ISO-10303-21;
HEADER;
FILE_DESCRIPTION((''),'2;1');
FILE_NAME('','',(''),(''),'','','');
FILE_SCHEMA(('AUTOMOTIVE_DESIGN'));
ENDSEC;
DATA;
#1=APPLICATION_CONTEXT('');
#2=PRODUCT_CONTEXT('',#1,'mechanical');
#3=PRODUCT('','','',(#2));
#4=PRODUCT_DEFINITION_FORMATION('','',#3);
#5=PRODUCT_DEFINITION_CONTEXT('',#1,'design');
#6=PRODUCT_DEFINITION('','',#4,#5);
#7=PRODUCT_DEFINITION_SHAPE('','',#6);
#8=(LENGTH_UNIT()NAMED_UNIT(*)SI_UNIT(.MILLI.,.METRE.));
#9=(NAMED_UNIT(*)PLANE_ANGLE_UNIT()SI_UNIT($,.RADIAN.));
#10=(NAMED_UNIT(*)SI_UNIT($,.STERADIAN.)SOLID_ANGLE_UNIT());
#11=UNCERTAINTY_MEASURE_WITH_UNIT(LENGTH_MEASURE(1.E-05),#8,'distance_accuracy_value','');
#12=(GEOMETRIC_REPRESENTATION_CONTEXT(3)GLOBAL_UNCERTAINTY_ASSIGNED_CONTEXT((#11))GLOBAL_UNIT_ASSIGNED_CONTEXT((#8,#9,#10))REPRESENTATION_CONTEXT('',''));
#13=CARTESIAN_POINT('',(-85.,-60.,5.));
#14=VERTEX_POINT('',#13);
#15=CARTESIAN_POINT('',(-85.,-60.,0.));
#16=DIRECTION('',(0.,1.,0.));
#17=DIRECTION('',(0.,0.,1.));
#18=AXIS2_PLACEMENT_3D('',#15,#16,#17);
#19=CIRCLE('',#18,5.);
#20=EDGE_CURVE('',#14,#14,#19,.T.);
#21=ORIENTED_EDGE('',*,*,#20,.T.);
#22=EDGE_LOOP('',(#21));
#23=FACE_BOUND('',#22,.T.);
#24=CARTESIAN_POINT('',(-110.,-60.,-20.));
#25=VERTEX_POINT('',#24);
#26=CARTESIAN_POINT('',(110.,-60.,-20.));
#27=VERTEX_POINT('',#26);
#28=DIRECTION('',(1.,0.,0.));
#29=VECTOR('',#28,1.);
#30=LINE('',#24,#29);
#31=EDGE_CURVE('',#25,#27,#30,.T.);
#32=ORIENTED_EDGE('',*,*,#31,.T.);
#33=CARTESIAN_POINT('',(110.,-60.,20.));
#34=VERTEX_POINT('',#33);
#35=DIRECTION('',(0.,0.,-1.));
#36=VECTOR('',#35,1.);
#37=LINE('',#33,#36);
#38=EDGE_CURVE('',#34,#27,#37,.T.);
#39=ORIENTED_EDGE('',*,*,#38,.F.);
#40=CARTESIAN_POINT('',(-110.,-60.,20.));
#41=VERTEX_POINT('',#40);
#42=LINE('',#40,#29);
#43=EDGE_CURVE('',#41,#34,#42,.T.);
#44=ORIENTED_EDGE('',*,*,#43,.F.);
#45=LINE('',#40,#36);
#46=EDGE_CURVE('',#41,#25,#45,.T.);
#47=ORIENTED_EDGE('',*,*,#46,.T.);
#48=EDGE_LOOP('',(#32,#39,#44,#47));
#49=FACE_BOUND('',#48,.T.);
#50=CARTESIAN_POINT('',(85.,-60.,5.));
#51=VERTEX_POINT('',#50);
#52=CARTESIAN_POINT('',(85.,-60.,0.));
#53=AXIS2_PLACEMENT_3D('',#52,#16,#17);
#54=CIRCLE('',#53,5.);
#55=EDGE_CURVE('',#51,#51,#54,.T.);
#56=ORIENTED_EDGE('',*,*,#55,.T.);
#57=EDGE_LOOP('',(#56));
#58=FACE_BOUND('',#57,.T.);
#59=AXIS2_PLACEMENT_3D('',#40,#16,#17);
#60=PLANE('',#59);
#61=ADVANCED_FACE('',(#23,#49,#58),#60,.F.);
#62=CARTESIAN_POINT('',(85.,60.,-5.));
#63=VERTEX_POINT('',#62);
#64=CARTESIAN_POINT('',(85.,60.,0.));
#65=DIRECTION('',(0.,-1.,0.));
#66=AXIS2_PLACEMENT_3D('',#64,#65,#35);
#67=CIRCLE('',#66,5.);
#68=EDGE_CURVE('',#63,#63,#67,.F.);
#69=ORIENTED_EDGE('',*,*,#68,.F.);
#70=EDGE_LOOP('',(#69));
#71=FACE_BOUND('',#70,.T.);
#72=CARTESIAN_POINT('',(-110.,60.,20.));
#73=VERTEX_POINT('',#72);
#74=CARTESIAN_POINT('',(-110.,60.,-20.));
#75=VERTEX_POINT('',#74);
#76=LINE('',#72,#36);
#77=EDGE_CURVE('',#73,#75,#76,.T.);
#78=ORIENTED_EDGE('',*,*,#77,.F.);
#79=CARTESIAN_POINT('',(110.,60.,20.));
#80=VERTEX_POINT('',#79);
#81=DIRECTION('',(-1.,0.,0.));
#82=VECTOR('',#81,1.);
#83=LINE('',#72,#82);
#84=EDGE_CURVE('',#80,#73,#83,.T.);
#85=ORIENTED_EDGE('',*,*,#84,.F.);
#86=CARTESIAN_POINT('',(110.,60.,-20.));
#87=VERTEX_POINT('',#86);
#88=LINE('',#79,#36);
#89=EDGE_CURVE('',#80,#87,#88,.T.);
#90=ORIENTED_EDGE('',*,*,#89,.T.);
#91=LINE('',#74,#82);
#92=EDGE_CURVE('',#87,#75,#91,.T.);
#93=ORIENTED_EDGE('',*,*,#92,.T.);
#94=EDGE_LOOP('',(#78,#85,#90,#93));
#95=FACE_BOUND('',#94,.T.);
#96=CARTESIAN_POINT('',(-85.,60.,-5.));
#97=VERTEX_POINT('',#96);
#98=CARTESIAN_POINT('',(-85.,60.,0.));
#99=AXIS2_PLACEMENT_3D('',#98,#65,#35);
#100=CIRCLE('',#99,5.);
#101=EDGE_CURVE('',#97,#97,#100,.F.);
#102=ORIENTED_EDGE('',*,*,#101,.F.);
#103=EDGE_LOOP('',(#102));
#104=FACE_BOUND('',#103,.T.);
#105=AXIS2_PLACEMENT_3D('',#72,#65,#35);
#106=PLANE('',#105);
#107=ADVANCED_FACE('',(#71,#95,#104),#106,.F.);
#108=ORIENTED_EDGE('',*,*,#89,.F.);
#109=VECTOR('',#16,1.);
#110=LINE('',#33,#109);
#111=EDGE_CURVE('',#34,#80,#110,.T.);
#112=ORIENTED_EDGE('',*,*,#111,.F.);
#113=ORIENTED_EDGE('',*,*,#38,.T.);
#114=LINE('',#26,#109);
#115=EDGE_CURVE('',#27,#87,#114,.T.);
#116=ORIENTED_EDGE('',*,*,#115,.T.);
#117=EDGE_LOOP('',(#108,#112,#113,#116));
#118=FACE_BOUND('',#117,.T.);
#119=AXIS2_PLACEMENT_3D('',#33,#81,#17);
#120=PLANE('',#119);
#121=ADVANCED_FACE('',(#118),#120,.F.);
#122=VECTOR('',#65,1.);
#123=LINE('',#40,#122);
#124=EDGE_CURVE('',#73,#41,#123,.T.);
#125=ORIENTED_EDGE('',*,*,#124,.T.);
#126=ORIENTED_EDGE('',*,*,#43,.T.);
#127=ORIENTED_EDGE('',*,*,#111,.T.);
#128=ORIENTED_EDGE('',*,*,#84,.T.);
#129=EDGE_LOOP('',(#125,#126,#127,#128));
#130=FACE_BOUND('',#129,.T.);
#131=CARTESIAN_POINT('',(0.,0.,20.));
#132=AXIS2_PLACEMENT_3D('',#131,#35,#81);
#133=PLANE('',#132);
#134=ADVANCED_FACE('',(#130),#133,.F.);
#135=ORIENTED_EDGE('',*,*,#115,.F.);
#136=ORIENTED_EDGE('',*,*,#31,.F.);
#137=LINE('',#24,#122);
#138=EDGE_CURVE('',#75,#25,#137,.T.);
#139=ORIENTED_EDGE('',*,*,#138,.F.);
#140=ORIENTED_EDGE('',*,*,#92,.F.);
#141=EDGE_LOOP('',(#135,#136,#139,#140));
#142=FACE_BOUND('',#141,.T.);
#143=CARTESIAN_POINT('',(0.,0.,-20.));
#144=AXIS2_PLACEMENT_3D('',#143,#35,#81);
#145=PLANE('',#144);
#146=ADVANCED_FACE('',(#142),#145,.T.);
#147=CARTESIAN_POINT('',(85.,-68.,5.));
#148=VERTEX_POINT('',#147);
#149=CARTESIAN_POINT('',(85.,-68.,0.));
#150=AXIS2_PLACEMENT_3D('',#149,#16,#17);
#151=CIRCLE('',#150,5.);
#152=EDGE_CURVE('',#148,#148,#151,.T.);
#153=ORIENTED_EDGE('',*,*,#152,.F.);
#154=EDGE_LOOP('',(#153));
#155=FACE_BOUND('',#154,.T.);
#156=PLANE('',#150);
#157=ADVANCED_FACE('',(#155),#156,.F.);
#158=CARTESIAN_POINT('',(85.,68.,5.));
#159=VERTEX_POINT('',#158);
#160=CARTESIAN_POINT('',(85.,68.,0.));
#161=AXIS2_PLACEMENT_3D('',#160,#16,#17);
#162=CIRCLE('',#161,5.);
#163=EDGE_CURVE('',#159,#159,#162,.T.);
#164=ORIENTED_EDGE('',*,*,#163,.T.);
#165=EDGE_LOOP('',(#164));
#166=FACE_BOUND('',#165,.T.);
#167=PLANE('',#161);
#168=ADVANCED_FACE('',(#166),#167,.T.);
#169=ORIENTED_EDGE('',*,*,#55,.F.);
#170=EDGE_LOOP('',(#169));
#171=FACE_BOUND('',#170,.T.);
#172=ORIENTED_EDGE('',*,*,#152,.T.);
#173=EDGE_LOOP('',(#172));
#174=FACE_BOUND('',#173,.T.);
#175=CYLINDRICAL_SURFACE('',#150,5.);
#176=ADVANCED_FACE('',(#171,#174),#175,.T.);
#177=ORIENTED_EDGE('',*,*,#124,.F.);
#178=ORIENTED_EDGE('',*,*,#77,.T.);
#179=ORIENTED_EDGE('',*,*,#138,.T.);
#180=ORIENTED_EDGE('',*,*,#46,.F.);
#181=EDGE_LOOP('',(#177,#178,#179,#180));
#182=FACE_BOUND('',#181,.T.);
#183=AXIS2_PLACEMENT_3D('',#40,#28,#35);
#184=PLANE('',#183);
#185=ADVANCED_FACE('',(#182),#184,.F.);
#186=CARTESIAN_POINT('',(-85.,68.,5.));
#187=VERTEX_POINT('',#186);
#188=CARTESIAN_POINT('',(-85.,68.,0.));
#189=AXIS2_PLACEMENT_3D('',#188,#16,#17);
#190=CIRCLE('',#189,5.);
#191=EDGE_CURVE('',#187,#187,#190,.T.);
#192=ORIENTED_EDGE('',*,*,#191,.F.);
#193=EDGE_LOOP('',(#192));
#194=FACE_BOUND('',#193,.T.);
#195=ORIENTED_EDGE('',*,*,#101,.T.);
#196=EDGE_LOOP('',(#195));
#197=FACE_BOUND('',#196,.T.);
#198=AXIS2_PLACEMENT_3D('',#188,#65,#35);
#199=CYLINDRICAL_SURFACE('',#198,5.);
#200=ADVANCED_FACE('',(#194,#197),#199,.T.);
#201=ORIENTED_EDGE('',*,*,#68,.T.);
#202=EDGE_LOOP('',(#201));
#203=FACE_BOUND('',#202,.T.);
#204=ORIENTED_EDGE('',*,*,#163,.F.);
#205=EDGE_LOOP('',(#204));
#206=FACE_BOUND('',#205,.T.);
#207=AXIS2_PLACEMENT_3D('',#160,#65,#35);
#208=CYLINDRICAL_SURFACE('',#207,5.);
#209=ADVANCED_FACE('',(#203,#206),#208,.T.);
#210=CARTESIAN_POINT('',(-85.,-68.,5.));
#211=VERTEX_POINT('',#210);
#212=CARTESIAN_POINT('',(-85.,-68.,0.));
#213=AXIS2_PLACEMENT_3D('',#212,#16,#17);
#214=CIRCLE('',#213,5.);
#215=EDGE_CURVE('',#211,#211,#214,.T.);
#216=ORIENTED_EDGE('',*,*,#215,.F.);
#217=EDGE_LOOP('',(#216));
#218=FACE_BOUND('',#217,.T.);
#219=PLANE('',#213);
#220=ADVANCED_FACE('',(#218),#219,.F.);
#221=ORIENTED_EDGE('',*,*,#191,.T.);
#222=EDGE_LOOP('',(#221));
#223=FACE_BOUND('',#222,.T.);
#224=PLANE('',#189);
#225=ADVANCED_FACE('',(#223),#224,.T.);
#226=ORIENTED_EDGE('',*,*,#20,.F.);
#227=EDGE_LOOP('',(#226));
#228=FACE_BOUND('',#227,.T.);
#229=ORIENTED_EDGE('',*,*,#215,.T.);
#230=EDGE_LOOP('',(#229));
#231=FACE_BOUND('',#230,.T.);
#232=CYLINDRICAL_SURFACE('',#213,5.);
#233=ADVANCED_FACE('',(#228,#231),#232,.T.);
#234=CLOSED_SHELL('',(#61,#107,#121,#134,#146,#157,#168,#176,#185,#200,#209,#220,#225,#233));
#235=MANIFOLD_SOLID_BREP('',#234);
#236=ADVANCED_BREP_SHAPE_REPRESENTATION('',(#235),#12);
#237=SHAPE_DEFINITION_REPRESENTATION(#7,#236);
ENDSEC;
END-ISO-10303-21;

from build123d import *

# Parameters (mm, degrees)
SKETCH_1_W      = 220
SKETCH_1_H      = 120
EXTRUDE_1_DEPTH = 20
EXTRUDE_START   = 60
SKETCH_2_R      = 5
EXTRUDE_2_DEPTH = 8
EXTRUDE_START_2 = -68
SKETCH_3_R      = 5
EXTRUDE_3_DEPTH = 8


with BuildPart() as part:
    # ｽｹｯﾁ1 → ﾎﾞｽ - 押し出し1 (new, symmetric)
    with BuildSketch(Plane.XY):
        Rectangle(SKETCH_1_W, SKETCH_1_H)
    extrude(amount=EXTRUDE_1_DEPTH, both=True)

    # ｽｹｯﾁ2 → ﾎﾞｽ - 押し出し2 (add)
    with BuildSketch(Plane(origin=(0, 0, 0), x_dir=(1, 0, 0), z_dir=(0, 1, 0)).offset(EXTRUDE_START)):
        with Locations(Location((85, 0, 0), (0, 0, 90))):
            Circle(SKETCH_2_R)
        with Locations(Location((-85, 0, 0), (0, 0, 90))):
            Circle(SKETCH_2_R)
    extrude(amount=EXTRUDE_2_DEPTH)

    # ｽｹｯﾁ3 → ﾎﾞｽ - 押し出し3 (add)
    with BuildSketch(Plane(origin=(0, 0, 0), x_dir=(1, 0, 0), z_dir=(0, 1, 0)).offset(EXTRUDE_START_2)):
        with Locations(Location((85, 0, 0), (0, 0, 90))):
            Circle(SKETCH_3_R)
        with Locations(Location((-85, 0, 0), (0, 0, 90))):
            Circle(SKETCH_3_R)
    extrude(amount=EXTRUDE_3_DEPTH)


solid = part.part
